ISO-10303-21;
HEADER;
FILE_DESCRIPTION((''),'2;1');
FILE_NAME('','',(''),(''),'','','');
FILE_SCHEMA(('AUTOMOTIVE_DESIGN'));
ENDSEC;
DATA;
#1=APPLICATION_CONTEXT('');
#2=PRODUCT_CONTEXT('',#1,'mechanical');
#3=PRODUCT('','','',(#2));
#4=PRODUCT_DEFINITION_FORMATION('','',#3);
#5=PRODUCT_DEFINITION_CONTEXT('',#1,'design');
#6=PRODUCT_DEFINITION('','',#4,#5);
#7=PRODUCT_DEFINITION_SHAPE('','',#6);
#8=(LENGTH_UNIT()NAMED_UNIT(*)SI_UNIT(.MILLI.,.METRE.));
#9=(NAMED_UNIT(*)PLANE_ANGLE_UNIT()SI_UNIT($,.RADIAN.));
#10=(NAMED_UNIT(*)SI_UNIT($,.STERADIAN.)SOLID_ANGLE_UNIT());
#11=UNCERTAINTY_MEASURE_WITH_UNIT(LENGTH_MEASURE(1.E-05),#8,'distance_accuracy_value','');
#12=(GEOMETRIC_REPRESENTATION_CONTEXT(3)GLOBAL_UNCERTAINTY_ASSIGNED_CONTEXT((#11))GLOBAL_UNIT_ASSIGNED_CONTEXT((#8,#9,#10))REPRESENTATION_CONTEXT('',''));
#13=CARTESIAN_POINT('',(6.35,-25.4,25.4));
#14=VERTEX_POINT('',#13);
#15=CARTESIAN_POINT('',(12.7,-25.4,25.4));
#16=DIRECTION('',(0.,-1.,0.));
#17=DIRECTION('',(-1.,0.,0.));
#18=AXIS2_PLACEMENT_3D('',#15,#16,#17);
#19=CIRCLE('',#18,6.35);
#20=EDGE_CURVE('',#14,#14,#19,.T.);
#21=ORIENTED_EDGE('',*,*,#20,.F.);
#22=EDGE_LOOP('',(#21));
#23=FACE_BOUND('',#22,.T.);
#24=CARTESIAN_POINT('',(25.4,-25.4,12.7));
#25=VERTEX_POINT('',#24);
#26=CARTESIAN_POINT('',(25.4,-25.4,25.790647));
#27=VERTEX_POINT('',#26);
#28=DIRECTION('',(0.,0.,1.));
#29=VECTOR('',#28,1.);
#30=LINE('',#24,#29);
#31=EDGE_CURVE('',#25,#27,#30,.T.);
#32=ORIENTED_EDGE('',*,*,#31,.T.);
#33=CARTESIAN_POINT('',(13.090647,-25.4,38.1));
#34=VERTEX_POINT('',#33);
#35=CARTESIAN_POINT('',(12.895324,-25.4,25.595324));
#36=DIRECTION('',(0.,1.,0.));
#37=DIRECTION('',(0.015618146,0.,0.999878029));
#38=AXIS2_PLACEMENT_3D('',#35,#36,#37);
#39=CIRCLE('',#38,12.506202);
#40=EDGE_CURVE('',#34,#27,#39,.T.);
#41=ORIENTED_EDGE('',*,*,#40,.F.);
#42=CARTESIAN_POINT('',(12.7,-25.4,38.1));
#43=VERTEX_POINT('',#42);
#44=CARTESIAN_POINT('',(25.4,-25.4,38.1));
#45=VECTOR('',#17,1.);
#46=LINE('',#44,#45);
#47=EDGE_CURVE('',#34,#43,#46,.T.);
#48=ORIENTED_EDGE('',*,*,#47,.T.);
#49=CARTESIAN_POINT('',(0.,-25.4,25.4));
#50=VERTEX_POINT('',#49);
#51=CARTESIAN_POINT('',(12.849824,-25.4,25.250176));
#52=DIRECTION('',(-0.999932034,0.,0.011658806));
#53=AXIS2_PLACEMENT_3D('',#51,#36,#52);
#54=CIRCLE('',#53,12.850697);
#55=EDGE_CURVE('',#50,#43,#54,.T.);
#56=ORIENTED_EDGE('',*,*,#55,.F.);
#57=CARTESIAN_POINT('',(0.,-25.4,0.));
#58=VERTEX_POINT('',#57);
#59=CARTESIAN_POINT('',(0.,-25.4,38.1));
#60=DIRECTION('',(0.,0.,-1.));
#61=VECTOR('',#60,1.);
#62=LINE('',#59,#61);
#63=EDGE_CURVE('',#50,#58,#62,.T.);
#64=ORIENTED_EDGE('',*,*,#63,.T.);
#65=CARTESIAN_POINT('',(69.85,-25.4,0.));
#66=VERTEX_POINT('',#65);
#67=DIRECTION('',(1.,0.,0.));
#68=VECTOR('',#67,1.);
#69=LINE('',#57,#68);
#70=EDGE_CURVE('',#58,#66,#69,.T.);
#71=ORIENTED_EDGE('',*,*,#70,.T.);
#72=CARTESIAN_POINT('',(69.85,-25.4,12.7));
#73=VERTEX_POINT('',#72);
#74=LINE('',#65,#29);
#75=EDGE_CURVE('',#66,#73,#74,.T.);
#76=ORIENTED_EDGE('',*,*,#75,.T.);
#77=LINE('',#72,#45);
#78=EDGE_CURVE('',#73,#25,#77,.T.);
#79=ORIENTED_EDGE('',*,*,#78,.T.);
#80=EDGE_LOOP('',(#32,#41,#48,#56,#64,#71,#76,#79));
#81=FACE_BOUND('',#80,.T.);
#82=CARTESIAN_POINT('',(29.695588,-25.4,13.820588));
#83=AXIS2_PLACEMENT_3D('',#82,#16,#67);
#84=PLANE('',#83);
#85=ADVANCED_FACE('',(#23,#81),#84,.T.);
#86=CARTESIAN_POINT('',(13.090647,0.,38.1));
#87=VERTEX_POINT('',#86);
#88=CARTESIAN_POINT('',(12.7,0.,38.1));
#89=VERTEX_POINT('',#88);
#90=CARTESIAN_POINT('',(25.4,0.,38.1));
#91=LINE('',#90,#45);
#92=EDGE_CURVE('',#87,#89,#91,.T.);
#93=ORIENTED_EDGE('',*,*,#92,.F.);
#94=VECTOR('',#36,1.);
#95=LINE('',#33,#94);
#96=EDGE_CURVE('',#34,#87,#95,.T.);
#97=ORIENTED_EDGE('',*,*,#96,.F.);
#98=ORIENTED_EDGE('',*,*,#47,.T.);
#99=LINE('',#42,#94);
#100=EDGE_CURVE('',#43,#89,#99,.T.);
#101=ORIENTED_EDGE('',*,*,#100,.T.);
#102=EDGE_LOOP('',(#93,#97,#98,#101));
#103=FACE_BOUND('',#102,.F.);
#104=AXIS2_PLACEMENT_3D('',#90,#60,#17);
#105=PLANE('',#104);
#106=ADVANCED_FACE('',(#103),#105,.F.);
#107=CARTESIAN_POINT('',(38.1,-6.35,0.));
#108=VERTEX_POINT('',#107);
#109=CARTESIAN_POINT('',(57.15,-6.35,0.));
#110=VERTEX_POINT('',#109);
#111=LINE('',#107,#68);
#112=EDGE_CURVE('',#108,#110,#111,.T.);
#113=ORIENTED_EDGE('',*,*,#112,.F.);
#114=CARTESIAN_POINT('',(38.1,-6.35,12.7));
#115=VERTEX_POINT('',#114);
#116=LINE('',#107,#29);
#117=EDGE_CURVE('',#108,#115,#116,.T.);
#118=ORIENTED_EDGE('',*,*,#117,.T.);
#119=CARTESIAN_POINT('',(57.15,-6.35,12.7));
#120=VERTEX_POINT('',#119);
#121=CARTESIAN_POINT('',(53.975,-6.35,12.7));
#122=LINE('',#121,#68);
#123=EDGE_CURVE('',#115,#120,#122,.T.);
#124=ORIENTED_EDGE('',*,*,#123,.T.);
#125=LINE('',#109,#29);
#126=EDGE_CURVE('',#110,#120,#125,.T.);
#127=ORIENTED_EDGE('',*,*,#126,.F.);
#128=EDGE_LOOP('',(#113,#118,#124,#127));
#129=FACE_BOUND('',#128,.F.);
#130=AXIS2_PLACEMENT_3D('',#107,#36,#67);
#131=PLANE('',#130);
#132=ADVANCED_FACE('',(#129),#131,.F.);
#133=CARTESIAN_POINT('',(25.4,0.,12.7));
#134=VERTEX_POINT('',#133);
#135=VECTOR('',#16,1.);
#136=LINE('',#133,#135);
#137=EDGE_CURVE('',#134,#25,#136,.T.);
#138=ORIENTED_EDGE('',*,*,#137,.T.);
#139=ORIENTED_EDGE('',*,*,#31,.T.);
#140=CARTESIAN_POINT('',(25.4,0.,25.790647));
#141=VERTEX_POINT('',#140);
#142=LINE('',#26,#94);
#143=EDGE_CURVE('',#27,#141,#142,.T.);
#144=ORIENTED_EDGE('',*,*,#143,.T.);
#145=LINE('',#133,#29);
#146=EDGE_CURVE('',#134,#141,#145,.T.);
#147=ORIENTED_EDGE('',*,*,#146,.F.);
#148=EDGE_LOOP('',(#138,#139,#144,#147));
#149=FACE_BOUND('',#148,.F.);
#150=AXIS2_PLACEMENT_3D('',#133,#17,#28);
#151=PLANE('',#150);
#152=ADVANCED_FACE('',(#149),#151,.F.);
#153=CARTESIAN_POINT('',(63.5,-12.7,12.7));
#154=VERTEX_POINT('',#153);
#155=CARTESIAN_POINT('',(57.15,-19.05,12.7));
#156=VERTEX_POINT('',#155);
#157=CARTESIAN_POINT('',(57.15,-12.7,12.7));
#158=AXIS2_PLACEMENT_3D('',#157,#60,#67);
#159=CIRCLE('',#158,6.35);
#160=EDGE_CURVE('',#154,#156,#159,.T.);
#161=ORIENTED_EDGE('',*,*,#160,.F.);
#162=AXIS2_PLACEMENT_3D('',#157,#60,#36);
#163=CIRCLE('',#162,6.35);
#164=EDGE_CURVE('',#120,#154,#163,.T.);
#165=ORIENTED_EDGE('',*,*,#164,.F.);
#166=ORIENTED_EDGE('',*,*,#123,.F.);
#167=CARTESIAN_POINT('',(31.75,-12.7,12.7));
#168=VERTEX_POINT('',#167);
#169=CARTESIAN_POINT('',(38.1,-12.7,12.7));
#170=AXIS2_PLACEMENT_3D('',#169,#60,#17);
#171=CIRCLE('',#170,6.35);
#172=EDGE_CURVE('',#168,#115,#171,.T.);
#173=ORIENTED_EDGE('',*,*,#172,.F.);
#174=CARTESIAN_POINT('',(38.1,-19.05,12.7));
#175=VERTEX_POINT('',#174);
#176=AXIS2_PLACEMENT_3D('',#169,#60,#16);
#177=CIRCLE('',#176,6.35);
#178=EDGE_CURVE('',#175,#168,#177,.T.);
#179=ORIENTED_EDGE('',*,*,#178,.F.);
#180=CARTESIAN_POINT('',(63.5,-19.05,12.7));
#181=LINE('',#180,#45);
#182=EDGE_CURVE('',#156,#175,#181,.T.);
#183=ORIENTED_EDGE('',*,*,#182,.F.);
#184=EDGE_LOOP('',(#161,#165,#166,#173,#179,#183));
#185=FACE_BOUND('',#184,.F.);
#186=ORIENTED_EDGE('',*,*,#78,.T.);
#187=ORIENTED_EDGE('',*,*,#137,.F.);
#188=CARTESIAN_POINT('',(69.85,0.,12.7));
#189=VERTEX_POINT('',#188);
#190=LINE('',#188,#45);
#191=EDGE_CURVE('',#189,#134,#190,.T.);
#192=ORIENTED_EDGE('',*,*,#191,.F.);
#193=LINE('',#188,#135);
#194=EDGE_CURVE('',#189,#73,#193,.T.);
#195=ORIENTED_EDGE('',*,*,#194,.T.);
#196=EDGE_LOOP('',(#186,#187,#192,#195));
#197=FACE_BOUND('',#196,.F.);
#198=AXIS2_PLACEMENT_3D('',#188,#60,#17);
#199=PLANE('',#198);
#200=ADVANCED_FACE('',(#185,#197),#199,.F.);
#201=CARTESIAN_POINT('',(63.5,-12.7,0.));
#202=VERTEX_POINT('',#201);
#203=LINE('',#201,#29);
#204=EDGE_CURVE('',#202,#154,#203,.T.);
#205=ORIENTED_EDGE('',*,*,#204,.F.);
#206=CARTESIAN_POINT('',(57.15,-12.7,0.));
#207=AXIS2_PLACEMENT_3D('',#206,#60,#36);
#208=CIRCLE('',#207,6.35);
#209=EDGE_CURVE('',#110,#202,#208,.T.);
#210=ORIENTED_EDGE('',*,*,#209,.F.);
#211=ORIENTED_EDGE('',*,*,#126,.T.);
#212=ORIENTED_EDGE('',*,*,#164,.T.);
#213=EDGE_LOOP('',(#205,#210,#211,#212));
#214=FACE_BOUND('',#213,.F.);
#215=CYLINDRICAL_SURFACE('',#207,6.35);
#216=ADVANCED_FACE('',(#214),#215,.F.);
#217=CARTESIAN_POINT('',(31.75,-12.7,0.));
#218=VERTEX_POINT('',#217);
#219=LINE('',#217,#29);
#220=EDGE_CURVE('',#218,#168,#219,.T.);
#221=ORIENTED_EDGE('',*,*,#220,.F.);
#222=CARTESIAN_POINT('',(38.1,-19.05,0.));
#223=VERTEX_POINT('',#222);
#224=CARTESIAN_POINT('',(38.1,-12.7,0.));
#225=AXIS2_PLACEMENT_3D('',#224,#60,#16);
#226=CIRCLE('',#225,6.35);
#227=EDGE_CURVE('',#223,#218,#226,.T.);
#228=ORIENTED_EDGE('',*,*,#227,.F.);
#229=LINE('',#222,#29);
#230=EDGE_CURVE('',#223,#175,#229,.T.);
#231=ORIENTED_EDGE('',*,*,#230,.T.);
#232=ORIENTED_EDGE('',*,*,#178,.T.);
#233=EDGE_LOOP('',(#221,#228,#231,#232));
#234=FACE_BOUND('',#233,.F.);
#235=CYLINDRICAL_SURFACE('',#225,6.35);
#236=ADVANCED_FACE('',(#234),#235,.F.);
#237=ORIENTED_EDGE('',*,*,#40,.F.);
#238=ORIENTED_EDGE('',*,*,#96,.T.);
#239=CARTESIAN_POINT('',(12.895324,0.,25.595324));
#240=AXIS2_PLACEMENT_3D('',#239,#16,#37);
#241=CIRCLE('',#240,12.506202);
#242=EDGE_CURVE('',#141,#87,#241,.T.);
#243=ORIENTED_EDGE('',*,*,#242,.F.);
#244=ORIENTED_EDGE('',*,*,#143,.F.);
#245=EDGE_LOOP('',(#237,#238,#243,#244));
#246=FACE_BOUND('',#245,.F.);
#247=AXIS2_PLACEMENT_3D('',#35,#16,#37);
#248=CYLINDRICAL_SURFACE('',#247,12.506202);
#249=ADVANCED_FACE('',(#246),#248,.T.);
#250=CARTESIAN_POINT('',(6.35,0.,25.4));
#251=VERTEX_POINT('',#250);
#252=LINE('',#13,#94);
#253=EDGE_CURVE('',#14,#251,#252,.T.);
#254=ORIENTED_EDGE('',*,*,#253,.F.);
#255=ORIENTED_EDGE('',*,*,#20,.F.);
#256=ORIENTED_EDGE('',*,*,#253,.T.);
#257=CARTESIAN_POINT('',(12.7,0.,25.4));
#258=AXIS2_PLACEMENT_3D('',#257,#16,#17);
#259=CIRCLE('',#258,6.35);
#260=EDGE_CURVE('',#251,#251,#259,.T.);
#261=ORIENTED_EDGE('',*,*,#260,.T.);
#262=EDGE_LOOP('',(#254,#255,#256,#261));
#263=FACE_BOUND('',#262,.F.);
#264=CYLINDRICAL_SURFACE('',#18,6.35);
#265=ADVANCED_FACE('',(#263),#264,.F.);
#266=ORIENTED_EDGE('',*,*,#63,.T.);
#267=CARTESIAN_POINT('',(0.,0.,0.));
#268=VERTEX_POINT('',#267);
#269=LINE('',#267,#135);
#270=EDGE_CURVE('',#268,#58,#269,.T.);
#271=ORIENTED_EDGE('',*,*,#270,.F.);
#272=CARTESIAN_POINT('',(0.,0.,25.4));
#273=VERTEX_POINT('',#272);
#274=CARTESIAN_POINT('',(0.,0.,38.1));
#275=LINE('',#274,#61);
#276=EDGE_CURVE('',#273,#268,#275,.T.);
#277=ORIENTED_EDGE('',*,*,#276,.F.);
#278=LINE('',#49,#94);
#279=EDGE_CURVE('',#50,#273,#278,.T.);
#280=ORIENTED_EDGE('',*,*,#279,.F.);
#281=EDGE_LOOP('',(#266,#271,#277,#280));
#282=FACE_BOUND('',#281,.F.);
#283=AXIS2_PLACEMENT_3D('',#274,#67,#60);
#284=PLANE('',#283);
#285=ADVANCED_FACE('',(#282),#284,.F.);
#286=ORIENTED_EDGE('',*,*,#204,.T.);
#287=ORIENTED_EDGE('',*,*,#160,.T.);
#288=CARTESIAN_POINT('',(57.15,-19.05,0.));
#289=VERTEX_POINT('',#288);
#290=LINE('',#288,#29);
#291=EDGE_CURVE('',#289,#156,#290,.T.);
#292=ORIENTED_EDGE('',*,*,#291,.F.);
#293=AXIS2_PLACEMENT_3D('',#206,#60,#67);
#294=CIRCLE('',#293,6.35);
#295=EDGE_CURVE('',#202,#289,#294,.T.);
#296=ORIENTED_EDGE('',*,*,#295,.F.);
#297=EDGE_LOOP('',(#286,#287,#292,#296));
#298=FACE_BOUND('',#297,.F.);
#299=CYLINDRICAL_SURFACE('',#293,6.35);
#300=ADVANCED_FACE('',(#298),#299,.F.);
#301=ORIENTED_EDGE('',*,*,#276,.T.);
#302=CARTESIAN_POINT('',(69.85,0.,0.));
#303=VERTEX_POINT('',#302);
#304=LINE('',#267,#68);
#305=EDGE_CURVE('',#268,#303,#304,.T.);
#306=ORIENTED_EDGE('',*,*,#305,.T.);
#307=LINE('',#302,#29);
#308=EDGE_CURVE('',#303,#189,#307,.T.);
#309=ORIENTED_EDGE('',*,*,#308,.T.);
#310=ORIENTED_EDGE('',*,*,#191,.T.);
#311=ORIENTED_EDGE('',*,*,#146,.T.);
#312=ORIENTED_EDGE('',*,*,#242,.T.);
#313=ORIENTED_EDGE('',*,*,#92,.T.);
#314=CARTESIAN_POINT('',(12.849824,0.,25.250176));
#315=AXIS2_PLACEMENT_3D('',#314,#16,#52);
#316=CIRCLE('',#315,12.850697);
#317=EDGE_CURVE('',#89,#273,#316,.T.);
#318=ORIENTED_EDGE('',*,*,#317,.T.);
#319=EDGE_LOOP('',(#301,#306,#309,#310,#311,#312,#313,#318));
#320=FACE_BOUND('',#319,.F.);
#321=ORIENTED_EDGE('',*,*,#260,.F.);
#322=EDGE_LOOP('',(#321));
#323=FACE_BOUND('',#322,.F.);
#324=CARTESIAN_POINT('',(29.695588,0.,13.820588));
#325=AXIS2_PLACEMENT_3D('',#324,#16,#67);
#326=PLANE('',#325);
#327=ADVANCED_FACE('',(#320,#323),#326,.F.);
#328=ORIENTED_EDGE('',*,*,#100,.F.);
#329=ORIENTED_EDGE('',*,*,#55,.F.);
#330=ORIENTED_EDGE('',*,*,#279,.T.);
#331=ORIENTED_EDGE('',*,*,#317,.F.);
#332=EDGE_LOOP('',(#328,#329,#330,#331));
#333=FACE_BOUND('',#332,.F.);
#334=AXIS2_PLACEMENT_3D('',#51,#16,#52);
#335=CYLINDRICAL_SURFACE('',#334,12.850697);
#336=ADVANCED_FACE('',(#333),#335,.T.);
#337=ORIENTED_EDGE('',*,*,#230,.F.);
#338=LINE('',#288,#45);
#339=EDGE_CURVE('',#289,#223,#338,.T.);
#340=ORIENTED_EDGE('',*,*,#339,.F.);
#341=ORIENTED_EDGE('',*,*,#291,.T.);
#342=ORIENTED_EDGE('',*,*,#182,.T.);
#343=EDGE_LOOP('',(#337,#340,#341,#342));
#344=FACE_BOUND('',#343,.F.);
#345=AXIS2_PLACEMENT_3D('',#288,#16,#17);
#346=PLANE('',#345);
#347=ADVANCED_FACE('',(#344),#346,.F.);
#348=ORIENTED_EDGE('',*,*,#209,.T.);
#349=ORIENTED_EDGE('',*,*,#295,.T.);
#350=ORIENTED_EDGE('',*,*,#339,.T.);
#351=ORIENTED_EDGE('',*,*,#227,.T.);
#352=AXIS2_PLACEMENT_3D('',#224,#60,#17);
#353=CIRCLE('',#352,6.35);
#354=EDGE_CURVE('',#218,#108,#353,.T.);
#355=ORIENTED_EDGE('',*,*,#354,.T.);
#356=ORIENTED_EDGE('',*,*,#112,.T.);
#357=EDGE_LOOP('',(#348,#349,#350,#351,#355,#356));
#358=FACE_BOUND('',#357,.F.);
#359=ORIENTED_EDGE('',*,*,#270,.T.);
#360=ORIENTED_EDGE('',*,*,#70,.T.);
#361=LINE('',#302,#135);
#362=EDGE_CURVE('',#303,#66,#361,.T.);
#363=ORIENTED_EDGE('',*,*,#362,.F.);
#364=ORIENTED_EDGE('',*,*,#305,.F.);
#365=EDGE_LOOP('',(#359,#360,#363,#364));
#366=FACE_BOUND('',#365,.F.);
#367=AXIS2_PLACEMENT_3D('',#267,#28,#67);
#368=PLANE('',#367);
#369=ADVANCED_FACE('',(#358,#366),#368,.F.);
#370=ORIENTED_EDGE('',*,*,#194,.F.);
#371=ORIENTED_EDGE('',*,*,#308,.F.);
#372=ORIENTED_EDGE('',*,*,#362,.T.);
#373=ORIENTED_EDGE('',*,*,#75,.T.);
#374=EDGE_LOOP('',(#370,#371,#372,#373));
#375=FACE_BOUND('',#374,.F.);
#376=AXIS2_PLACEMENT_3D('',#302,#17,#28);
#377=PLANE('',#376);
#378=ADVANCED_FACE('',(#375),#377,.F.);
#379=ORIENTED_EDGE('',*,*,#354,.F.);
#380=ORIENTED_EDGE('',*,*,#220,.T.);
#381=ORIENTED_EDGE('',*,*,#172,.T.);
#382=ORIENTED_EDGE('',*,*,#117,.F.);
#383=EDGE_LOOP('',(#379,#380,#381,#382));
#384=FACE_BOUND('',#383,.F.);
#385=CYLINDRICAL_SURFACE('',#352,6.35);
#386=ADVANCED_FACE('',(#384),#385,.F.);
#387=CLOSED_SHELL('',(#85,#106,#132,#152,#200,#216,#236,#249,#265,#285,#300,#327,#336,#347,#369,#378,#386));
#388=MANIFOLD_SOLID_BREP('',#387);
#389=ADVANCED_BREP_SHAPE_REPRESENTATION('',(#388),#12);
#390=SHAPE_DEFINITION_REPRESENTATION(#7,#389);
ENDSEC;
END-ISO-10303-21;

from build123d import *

# Parameters (mm, degrees)
F1_DEPTH = 25.4
F3_DEPTH = 25.401
F5_DEPTH = 25.401
F7_DEPTH = 38.101


with BuildPart() as f1:
    # F0 (on Front) → F1 (new body)
    with BuildSketch(Plane.XZ):
        Polygon((0, 38.1), (0, 0), (69.85, 0), (69.85, 12.7), (25.4, 12.7), (25.4, 38.1), align=None)
    extrude(amount=F1_DEPTH)

    # F2 (on face) → F3 (cut, through all)
    with BuildSketch(Plane.XZ.offset(25.4)):
        with BuildLine():
            Line((6.35, 25.4), (19.05, 25.4))
            ThreePointArc((19.05, 25.4), (12.7, 31.75), (6.35, 25.4))
        make_face()
        with BuildLine():
            ThreePointArc((6.35, 25.4), (12.7, 19.05), (19.05, 25.4))
            Line((19.05, 25.4), (6.35, 25.4))
        make_face()
    extrude(amount=-F3_DEPTH, mode=Mode.SUBTRACT)

    # F4 (on face) → F5 (cut, through all)
    with BuildSketch(Plane.XZ.offset(25.4)):
        with BuildLine():
            ThreePointArc((0, 25.4), (3.7630086547, 34.3369913453), (12.7, 38.1))
            Line((12.7, 38.1), (0, 38.1))
            Line((0, 38.1), (0, 25.4))
        make_face()
        with BuildLine():
            ThreePointArc((13.0906473624, 38.1), (21.7385437163, 34.4385437163), (25.4, 25.7906473624))
            Line((25.4, 25.7906473624), (25.4, 38.1))
            Line((25.4, 38.1), (13.0906473624, 38.1))
        make_face()
    extrude(amount=-F5_DEPTH, mode=Mode.SUBTRACT)

    # F6 (on face) → F7 (cut, through all)
    with BuildSketch(Plane(origin=(0, 0, 0), x_dir=(1, 0, 0), z_dir=(0, 0, -1))):
        with BuildLine():
            Line((38.1, 6.35), (57.15, 6.35))
            ThreePointArc((57.15, 6.35), (61.6401280605, 8.2098719395), (63.5, 12.7))
            ThreePointArc((63.5, 12.7), (61.6401280605, 17.1901280605), (57.15, 19.05))
            Line((57.15, 19.05), (38.1, 19.05))
            ThreePointArc((38.1, 19.05), (33.6098719395, 17.1901280605), (31.75, 12.7))
            ThreePointArc((31.75, 12.7), (33.6098719395, 8.2098719395), (38.1, 6.35))
        make_face()
    extrude(amount=-F7_DEPTH, mode=Mode.SUBTRACT)


solid = f1.part
